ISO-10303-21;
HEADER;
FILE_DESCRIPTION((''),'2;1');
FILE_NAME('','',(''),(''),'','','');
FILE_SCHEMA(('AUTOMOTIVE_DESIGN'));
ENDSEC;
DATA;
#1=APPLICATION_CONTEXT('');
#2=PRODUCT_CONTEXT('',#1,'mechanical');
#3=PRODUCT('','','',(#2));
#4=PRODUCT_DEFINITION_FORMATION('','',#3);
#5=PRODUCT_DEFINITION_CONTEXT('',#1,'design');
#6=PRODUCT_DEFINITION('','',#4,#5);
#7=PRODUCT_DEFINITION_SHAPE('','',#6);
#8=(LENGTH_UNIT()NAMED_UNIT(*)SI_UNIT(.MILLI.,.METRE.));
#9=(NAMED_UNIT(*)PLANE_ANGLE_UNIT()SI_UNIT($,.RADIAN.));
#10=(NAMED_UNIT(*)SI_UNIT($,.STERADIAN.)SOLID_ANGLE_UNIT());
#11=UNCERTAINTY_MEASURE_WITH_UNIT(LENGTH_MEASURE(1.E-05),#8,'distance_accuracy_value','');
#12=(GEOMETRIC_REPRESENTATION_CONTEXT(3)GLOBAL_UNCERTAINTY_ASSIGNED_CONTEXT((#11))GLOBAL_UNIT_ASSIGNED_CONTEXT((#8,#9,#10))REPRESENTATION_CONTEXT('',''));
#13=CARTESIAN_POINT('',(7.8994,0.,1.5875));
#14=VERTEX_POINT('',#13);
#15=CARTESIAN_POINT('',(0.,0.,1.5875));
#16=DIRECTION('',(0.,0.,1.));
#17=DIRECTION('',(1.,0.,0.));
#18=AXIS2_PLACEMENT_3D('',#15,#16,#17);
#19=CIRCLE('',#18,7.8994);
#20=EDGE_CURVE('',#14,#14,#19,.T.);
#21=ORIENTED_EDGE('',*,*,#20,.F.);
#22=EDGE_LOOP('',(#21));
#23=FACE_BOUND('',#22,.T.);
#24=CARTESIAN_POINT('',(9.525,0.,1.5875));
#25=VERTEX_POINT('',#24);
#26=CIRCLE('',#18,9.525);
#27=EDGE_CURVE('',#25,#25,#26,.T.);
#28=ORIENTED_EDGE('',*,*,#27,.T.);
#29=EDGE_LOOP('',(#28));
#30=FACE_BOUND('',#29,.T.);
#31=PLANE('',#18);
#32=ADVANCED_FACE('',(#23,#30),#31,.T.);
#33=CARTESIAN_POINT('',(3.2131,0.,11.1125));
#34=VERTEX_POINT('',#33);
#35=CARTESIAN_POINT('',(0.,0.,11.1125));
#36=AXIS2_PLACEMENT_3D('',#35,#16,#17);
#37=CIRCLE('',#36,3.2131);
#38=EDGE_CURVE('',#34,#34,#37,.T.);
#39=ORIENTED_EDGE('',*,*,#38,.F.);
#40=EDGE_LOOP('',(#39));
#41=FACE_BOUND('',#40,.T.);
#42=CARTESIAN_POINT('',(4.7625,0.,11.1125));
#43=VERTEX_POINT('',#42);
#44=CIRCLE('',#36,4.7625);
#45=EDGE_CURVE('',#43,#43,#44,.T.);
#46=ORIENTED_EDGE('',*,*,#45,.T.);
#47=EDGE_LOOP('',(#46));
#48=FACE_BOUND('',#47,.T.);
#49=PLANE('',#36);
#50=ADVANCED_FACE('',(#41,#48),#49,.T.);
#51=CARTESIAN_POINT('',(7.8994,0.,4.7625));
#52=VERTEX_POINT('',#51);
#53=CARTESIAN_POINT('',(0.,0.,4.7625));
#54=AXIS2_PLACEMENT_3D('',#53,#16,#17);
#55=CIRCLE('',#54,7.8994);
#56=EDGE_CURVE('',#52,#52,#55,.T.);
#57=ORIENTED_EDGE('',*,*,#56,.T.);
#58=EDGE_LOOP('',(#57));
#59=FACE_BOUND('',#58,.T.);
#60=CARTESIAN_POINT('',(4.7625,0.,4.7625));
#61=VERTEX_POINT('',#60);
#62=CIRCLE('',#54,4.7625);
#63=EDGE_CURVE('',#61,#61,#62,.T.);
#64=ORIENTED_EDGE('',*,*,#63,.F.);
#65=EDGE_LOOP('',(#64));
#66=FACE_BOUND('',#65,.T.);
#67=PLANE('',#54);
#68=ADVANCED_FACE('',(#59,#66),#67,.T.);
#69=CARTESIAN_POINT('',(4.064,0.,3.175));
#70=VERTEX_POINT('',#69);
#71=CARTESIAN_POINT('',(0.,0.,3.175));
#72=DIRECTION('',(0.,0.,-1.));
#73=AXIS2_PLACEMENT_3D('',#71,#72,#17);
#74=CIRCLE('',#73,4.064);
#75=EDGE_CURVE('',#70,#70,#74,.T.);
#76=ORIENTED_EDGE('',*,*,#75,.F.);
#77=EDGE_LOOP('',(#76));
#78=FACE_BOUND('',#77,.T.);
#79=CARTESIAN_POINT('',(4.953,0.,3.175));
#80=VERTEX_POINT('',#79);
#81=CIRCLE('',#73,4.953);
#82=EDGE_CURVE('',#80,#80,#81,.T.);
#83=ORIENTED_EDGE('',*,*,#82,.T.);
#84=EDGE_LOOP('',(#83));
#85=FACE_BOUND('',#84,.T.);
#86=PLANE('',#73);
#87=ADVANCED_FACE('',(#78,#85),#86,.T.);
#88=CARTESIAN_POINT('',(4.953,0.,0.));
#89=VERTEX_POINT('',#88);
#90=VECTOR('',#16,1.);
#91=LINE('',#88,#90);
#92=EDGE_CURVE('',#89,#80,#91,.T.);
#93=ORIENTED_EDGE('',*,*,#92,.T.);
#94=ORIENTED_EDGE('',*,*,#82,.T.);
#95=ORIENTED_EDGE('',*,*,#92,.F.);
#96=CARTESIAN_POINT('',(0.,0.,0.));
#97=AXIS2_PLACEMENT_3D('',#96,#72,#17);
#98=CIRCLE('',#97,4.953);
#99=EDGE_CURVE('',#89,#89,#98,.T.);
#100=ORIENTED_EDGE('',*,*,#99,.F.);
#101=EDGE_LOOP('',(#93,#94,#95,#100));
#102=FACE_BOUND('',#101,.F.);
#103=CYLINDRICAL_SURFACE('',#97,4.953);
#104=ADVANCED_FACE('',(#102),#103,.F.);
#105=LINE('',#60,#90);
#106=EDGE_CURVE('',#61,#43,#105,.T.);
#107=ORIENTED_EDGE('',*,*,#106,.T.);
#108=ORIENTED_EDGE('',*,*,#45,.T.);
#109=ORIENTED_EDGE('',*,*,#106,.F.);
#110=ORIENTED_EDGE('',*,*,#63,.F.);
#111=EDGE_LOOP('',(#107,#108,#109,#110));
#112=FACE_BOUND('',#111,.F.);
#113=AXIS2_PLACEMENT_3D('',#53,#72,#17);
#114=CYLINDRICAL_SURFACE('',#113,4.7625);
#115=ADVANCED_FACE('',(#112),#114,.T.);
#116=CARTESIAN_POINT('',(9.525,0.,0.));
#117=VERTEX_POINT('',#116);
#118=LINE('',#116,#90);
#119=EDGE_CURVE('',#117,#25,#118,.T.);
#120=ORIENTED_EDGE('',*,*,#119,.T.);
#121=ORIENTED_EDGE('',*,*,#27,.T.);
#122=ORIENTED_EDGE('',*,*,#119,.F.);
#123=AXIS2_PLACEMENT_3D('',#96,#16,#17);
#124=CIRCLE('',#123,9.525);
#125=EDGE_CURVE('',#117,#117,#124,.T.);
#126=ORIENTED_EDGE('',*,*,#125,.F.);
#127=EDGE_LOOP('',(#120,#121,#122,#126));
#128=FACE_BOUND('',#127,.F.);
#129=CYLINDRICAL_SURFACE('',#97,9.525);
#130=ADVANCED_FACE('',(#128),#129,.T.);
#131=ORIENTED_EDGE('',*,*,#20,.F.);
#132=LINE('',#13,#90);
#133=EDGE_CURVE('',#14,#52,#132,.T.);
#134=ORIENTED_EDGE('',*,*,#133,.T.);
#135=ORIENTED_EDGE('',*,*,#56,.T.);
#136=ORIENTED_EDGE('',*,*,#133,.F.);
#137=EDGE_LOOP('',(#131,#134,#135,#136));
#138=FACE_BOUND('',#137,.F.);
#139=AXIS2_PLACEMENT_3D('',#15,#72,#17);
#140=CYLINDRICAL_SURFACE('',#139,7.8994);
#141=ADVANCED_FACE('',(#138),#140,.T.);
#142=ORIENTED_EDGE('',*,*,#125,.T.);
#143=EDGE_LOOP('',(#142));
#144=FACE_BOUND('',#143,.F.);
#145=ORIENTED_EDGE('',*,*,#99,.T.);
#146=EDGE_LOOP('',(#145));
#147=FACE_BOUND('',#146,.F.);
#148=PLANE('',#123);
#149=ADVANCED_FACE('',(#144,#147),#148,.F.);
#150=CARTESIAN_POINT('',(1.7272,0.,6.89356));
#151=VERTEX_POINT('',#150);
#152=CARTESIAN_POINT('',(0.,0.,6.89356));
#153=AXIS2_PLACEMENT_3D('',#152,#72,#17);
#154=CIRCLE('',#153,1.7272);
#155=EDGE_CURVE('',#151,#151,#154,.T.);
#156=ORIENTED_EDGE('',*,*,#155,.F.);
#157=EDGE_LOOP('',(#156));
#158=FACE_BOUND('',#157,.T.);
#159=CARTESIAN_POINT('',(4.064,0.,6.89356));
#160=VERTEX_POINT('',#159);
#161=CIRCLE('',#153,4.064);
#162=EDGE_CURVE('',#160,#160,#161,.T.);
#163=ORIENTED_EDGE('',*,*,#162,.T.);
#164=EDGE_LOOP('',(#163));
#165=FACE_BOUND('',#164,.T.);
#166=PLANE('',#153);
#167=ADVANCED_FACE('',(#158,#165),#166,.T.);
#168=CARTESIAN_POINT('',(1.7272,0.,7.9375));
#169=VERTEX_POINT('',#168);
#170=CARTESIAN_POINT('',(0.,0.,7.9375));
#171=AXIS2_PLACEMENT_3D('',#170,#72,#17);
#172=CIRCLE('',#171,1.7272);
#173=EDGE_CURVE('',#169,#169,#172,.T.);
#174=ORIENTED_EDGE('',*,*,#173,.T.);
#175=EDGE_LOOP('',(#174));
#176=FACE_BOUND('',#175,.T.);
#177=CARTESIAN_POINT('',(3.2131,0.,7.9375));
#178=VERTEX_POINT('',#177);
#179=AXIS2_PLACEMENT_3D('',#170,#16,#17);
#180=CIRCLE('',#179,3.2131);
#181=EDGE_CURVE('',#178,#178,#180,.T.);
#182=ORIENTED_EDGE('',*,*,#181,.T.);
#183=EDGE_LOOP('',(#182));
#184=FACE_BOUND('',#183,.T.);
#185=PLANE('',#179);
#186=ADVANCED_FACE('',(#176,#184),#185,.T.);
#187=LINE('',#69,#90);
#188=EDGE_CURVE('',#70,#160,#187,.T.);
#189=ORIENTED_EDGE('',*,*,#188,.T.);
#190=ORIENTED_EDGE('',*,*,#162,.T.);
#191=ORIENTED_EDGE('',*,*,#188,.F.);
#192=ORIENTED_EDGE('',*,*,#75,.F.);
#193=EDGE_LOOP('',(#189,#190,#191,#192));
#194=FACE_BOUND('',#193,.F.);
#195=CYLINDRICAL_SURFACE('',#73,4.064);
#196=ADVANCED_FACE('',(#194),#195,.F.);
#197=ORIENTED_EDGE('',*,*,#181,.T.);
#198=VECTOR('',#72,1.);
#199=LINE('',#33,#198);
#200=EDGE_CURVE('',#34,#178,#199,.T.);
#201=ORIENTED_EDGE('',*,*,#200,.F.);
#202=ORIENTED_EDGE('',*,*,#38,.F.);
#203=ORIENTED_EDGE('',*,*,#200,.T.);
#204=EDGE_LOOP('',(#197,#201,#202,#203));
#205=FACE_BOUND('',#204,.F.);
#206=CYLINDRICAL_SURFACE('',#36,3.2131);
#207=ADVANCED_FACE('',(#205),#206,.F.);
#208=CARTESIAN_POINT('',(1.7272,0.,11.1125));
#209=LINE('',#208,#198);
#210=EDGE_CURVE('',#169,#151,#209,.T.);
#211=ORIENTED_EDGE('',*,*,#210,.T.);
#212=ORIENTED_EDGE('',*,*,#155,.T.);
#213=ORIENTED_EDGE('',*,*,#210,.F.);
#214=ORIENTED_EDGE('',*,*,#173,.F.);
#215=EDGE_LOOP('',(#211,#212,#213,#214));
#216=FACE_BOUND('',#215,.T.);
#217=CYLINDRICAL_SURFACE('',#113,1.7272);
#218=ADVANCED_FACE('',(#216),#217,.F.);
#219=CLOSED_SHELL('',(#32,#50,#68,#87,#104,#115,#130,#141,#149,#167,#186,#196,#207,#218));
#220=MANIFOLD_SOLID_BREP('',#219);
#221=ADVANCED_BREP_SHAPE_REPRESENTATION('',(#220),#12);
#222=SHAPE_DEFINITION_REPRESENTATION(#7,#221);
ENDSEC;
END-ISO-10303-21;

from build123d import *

# Parameters (mm, degrees)
F0_R      = 9.525
F1_DEPTH  = 1.5875
F2_R      = 7.8994
F3_DEPTH  = 3.175
F4_R      = 4.953
F5_DEPTH  = 3.175
F6_R      = 1.7272
F7_DEPTH  = 1.5885
F8_R      = 4.7625
F8_R_2    = 1.7272
F9_DEPTH  = 6.35
F10_R     = 3.2131
F11_DEPTH = 3.175
F12_R     = 4.064
F13_DEPTH = 3.71856


with BuildPart() as f1:
    # F0 (on Top) → F1 (new body)
    with BuildSketch(Plane.XY):
        Circle(F0_R)
    extrude(amount=F1_DEPTH)

    # F2 (on face) → F3 (join)
    with BuildSketch(Plane.XY.offset(1.5875)):
        Circle(F2_R)
    extrude(amount=F3_DEPTH)

    # F4 (on face) → F5 (cut)
    with BuildSketch(Plane(origin=(0, 0, 0), x_dir=(1, 0, 0), z_dir=(0, 0, -1))):
        Circle(F4_R)
    extrude(amount=-F5_DEPTH, mode=Mode.SUBTRACT)

    # F6 (on face) → F7 (cut, through all)
    with BuildSketch(Plane(origin=(0, 0, 3.175), x_dir=(1, 0, 0), z_dir=(0, 0, -1))):
        Circle(F6_R)
    extrude(amount=-F7_DEPTH, mode=Mode.SUBTRACT)

    # F8 (on face) → F9 (join)
    with BuildSketch(Plane.XY.offset(4.7625)):
        Circle(F8_R)
        Circle(F8_R_2, mode=Mode.SUBTRACT)
    extrude(amount=F9_DEPTH)

    # F10 (on face) → F11 (cut)
    with BuildSketch(Plane.XY.offset(11.1125)):
        Circle(F10_R)
    extrude(amount=-F11_DEPTH, mode=Mode.SUBTRACT)

    # F12 (on face) → F13 (cut)
    with BuildSketch(Plane(origin=(0, 0, 3.175), x_dir=(1, 0, 0), z_dir=(0, 0, -1))):
        Circle(F12_R)
    extrude(amount=-F13_DEPTH, mode=Mode.SUBTRACT)


solid = f1.part
